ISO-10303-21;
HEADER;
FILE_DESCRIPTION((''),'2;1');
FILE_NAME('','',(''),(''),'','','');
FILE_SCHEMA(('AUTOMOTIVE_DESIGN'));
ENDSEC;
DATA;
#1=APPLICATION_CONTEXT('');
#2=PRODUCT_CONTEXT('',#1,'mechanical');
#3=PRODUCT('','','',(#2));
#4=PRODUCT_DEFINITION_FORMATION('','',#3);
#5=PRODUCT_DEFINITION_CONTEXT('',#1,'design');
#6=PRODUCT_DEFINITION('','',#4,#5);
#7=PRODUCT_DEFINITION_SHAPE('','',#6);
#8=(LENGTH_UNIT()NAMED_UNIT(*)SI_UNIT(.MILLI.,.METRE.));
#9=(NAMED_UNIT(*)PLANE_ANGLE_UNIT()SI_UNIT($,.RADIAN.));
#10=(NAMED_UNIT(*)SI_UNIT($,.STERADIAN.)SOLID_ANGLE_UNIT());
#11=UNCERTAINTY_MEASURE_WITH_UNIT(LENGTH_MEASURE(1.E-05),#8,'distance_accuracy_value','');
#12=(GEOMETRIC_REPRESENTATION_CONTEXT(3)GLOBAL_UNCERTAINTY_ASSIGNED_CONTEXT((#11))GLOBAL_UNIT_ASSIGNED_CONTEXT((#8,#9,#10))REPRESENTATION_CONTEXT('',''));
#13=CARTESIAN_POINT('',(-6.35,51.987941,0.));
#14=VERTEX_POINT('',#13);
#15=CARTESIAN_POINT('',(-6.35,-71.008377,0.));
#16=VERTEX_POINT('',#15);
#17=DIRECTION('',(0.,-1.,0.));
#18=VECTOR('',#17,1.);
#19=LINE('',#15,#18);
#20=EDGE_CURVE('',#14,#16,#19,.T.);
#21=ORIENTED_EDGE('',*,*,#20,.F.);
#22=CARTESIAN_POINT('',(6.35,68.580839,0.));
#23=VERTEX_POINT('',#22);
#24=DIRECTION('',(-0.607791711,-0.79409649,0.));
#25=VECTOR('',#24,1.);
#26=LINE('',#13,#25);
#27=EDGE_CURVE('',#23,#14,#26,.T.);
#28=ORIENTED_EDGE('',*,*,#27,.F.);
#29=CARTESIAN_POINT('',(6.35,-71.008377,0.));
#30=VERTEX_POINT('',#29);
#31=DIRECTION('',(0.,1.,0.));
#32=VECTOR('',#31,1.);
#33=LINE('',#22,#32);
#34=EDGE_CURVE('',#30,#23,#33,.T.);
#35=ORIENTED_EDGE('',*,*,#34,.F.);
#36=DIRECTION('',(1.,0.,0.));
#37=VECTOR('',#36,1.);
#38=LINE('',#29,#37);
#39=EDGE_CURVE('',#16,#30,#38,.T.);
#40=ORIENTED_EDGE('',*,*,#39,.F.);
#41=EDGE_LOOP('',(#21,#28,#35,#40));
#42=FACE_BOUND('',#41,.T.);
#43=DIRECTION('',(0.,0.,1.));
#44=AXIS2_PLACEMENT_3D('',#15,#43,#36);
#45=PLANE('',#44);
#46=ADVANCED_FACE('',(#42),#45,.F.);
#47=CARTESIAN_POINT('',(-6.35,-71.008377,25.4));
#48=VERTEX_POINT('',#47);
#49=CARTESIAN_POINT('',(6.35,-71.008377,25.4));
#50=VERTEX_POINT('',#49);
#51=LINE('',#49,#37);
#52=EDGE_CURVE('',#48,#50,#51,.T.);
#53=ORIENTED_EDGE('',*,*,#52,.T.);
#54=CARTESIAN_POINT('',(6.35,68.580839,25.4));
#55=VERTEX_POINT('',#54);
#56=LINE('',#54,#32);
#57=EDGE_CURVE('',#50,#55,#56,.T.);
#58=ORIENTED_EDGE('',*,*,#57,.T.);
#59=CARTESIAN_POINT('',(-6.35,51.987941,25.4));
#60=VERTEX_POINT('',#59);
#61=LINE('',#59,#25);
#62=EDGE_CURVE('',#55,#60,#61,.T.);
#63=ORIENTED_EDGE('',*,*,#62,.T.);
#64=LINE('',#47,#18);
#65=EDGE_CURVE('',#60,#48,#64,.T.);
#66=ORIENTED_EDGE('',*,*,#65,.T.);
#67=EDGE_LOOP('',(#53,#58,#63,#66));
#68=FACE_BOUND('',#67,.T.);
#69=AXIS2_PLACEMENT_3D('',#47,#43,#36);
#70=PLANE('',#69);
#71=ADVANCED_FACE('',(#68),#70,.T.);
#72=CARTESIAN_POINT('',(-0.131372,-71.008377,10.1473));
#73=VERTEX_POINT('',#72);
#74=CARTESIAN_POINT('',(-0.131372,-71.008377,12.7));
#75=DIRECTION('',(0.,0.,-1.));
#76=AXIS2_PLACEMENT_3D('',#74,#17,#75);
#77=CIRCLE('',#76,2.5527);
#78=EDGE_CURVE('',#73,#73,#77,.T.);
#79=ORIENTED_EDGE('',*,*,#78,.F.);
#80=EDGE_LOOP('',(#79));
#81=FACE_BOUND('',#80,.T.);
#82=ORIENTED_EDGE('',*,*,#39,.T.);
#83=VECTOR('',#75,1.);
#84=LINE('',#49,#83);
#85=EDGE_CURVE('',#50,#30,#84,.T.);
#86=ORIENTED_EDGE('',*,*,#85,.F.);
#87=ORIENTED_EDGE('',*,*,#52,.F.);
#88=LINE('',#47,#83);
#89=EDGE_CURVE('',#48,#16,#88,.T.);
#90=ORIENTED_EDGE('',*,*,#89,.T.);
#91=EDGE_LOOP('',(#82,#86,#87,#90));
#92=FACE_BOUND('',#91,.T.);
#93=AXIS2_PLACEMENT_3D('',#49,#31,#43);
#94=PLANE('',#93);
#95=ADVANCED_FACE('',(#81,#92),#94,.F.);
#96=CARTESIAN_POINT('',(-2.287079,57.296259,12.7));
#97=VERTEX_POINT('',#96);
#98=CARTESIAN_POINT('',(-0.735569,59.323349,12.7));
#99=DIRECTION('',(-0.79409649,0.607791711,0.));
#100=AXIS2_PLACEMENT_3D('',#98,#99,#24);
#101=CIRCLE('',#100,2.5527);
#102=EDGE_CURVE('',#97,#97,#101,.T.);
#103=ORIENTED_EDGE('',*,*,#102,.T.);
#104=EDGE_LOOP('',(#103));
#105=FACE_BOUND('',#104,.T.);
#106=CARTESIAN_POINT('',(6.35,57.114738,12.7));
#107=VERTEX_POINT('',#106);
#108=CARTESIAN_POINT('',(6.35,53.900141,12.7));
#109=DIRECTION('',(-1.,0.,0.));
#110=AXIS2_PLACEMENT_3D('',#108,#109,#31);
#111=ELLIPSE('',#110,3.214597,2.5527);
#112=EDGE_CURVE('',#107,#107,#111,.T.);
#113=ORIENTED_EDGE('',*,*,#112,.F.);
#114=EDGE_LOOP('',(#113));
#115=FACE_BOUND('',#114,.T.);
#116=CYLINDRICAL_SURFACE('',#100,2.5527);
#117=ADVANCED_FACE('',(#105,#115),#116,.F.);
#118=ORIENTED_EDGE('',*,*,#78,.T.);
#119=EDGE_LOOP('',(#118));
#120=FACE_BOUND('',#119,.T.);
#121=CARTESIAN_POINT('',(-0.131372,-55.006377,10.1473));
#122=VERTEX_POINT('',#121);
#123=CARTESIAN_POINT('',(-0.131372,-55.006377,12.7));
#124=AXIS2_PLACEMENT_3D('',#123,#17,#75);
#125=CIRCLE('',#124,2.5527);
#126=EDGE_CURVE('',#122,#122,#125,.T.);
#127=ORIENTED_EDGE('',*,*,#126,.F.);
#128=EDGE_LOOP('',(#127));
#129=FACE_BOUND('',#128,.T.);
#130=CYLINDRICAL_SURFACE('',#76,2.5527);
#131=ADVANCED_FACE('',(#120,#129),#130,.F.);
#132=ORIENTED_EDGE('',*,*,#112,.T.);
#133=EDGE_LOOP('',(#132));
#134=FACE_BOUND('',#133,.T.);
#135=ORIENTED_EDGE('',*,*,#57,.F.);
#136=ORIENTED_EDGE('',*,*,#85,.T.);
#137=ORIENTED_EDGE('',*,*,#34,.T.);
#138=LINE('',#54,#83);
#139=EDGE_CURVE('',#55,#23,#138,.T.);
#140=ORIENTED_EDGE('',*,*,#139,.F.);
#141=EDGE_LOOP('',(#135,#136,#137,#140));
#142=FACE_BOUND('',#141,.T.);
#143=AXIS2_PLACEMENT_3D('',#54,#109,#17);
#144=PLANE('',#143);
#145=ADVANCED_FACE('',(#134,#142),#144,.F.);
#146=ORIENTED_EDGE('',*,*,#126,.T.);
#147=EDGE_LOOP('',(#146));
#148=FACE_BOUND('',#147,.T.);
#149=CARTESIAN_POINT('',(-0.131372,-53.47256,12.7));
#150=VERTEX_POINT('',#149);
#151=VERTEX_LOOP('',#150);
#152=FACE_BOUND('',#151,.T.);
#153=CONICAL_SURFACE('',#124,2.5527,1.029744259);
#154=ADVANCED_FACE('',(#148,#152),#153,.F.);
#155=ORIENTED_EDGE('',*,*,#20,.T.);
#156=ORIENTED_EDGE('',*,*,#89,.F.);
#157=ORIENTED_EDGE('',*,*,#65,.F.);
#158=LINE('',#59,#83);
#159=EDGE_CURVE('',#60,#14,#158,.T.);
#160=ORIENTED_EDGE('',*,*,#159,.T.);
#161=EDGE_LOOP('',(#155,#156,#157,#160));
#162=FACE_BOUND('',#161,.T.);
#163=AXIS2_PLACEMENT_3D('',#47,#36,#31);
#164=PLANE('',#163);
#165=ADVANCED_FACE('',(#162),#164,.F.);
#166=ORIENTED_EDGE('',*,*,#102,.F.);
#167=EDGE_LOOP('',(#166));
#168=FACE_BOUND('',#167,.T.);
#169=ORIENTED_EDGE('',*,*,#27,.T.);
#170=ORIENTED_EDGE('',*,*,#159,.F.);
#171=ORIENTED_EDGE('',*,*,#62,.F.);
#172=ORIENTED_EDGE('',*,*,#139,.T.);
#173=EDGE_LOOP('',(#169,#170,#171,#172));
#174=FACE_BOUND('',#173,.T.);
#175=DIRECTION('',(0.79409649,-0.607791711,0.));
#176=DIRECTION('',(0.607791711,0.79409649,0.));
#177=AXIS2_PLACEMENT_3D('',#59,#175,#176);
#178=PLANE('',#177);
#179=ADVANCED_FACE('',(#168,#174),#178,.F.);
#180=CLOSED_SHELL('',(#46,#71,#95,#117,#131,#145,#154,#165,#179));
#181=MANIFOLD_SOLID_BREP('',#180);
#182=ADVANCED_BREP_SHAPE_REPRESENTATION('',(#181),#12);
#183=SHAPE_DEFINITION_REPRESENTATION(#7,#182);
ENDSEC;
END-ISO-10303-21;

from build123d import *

# Parameters (mm, degrees)
EXTRUDE1_DEPTH              = 25.4
F_1_4_20_TAPPED_HOLE1_D     = 5.1054
F_1_4_20_TAPPED_HOLE1_DEPTH = 16.002
F_1_4_20_TAPPED_HOLE1_TIP   = 1.533816902
F_1_4_20_TAPPED_HOLE2_D     = 5.1054
F_1_4_20_TAPPED_HOLE2_DEPTH = 16.002
F_1_4_20_TAPPED_HOLE2_TIP   = 1.533816902


with BuildPart() as part:
    # Sketch1 → Extrude1 (new body)
    with BuildSketch(Plane.XY):
        Polygon((-6.35, 51.987941466), (6.35, 68.580838747), (6.35, -71.008376889), (-6.35, -71.008376889), align=None)
    extrude(amount=EXTRUDE1_DEPTH)

    # 1/4-20 Tapped Hole1
    with Locations(Plane(origin=(-36.866449815, 12.117365312, 18.061260674), x_dir=(0.6077917109691768, 0.7940964904072809, 0), z_dir=(-0.7940964904072809, 0.6077917109691768, 0))):
        with Locations((59.446155795, 5.361260674)):
            Hole(F_1_4_20_TAPPED_HOLE1_D / 2, depth=F_1_4_20_TAPPED_HOLE1_DEPTH)
            with Locations((0, 0, -(F_1_4_20_TAPPED_HOLE1_DEPTH + F_1_4_20_TAPPED_HOLE1_TIP / 2))):  # 118° drill point
                Cone(0, F_1_4_20_TAPPED_HOLE1_D / 2, F_1_4_20_TAPPED_HOLE1_TIP, mode=Mode.SUBTRACT)

    # 1/4-20 Tapped Hole2
    with Locations(Plane(origin=(-43.242259668, -71.008376889, 18.061260674), x_dir=(-1, 0, 0), z_dir=(0, -1, 0))):
        with Locations((-43.110887349, 5.361260674)):
            Hole(F_1_4_20_TAPPED_HOLE2_D / 2, depth=F_1_4_20_TAPPED_HOLE2_DEPTH)
            with Locations((0, 0, -(F_1_4_20_TAPPED_HOLE2_DEPTH + F_1_4_20_TAPPED_HOLE2_TIP / 2))):  # 118° drill point
                Cone(0, F_1_4_20_TAPPED_HOLE2_D / 2, F_1_4_20_TAPPED_HOLE2_TIP, mode=Mode.SUBTRACT)


solid = part.part
